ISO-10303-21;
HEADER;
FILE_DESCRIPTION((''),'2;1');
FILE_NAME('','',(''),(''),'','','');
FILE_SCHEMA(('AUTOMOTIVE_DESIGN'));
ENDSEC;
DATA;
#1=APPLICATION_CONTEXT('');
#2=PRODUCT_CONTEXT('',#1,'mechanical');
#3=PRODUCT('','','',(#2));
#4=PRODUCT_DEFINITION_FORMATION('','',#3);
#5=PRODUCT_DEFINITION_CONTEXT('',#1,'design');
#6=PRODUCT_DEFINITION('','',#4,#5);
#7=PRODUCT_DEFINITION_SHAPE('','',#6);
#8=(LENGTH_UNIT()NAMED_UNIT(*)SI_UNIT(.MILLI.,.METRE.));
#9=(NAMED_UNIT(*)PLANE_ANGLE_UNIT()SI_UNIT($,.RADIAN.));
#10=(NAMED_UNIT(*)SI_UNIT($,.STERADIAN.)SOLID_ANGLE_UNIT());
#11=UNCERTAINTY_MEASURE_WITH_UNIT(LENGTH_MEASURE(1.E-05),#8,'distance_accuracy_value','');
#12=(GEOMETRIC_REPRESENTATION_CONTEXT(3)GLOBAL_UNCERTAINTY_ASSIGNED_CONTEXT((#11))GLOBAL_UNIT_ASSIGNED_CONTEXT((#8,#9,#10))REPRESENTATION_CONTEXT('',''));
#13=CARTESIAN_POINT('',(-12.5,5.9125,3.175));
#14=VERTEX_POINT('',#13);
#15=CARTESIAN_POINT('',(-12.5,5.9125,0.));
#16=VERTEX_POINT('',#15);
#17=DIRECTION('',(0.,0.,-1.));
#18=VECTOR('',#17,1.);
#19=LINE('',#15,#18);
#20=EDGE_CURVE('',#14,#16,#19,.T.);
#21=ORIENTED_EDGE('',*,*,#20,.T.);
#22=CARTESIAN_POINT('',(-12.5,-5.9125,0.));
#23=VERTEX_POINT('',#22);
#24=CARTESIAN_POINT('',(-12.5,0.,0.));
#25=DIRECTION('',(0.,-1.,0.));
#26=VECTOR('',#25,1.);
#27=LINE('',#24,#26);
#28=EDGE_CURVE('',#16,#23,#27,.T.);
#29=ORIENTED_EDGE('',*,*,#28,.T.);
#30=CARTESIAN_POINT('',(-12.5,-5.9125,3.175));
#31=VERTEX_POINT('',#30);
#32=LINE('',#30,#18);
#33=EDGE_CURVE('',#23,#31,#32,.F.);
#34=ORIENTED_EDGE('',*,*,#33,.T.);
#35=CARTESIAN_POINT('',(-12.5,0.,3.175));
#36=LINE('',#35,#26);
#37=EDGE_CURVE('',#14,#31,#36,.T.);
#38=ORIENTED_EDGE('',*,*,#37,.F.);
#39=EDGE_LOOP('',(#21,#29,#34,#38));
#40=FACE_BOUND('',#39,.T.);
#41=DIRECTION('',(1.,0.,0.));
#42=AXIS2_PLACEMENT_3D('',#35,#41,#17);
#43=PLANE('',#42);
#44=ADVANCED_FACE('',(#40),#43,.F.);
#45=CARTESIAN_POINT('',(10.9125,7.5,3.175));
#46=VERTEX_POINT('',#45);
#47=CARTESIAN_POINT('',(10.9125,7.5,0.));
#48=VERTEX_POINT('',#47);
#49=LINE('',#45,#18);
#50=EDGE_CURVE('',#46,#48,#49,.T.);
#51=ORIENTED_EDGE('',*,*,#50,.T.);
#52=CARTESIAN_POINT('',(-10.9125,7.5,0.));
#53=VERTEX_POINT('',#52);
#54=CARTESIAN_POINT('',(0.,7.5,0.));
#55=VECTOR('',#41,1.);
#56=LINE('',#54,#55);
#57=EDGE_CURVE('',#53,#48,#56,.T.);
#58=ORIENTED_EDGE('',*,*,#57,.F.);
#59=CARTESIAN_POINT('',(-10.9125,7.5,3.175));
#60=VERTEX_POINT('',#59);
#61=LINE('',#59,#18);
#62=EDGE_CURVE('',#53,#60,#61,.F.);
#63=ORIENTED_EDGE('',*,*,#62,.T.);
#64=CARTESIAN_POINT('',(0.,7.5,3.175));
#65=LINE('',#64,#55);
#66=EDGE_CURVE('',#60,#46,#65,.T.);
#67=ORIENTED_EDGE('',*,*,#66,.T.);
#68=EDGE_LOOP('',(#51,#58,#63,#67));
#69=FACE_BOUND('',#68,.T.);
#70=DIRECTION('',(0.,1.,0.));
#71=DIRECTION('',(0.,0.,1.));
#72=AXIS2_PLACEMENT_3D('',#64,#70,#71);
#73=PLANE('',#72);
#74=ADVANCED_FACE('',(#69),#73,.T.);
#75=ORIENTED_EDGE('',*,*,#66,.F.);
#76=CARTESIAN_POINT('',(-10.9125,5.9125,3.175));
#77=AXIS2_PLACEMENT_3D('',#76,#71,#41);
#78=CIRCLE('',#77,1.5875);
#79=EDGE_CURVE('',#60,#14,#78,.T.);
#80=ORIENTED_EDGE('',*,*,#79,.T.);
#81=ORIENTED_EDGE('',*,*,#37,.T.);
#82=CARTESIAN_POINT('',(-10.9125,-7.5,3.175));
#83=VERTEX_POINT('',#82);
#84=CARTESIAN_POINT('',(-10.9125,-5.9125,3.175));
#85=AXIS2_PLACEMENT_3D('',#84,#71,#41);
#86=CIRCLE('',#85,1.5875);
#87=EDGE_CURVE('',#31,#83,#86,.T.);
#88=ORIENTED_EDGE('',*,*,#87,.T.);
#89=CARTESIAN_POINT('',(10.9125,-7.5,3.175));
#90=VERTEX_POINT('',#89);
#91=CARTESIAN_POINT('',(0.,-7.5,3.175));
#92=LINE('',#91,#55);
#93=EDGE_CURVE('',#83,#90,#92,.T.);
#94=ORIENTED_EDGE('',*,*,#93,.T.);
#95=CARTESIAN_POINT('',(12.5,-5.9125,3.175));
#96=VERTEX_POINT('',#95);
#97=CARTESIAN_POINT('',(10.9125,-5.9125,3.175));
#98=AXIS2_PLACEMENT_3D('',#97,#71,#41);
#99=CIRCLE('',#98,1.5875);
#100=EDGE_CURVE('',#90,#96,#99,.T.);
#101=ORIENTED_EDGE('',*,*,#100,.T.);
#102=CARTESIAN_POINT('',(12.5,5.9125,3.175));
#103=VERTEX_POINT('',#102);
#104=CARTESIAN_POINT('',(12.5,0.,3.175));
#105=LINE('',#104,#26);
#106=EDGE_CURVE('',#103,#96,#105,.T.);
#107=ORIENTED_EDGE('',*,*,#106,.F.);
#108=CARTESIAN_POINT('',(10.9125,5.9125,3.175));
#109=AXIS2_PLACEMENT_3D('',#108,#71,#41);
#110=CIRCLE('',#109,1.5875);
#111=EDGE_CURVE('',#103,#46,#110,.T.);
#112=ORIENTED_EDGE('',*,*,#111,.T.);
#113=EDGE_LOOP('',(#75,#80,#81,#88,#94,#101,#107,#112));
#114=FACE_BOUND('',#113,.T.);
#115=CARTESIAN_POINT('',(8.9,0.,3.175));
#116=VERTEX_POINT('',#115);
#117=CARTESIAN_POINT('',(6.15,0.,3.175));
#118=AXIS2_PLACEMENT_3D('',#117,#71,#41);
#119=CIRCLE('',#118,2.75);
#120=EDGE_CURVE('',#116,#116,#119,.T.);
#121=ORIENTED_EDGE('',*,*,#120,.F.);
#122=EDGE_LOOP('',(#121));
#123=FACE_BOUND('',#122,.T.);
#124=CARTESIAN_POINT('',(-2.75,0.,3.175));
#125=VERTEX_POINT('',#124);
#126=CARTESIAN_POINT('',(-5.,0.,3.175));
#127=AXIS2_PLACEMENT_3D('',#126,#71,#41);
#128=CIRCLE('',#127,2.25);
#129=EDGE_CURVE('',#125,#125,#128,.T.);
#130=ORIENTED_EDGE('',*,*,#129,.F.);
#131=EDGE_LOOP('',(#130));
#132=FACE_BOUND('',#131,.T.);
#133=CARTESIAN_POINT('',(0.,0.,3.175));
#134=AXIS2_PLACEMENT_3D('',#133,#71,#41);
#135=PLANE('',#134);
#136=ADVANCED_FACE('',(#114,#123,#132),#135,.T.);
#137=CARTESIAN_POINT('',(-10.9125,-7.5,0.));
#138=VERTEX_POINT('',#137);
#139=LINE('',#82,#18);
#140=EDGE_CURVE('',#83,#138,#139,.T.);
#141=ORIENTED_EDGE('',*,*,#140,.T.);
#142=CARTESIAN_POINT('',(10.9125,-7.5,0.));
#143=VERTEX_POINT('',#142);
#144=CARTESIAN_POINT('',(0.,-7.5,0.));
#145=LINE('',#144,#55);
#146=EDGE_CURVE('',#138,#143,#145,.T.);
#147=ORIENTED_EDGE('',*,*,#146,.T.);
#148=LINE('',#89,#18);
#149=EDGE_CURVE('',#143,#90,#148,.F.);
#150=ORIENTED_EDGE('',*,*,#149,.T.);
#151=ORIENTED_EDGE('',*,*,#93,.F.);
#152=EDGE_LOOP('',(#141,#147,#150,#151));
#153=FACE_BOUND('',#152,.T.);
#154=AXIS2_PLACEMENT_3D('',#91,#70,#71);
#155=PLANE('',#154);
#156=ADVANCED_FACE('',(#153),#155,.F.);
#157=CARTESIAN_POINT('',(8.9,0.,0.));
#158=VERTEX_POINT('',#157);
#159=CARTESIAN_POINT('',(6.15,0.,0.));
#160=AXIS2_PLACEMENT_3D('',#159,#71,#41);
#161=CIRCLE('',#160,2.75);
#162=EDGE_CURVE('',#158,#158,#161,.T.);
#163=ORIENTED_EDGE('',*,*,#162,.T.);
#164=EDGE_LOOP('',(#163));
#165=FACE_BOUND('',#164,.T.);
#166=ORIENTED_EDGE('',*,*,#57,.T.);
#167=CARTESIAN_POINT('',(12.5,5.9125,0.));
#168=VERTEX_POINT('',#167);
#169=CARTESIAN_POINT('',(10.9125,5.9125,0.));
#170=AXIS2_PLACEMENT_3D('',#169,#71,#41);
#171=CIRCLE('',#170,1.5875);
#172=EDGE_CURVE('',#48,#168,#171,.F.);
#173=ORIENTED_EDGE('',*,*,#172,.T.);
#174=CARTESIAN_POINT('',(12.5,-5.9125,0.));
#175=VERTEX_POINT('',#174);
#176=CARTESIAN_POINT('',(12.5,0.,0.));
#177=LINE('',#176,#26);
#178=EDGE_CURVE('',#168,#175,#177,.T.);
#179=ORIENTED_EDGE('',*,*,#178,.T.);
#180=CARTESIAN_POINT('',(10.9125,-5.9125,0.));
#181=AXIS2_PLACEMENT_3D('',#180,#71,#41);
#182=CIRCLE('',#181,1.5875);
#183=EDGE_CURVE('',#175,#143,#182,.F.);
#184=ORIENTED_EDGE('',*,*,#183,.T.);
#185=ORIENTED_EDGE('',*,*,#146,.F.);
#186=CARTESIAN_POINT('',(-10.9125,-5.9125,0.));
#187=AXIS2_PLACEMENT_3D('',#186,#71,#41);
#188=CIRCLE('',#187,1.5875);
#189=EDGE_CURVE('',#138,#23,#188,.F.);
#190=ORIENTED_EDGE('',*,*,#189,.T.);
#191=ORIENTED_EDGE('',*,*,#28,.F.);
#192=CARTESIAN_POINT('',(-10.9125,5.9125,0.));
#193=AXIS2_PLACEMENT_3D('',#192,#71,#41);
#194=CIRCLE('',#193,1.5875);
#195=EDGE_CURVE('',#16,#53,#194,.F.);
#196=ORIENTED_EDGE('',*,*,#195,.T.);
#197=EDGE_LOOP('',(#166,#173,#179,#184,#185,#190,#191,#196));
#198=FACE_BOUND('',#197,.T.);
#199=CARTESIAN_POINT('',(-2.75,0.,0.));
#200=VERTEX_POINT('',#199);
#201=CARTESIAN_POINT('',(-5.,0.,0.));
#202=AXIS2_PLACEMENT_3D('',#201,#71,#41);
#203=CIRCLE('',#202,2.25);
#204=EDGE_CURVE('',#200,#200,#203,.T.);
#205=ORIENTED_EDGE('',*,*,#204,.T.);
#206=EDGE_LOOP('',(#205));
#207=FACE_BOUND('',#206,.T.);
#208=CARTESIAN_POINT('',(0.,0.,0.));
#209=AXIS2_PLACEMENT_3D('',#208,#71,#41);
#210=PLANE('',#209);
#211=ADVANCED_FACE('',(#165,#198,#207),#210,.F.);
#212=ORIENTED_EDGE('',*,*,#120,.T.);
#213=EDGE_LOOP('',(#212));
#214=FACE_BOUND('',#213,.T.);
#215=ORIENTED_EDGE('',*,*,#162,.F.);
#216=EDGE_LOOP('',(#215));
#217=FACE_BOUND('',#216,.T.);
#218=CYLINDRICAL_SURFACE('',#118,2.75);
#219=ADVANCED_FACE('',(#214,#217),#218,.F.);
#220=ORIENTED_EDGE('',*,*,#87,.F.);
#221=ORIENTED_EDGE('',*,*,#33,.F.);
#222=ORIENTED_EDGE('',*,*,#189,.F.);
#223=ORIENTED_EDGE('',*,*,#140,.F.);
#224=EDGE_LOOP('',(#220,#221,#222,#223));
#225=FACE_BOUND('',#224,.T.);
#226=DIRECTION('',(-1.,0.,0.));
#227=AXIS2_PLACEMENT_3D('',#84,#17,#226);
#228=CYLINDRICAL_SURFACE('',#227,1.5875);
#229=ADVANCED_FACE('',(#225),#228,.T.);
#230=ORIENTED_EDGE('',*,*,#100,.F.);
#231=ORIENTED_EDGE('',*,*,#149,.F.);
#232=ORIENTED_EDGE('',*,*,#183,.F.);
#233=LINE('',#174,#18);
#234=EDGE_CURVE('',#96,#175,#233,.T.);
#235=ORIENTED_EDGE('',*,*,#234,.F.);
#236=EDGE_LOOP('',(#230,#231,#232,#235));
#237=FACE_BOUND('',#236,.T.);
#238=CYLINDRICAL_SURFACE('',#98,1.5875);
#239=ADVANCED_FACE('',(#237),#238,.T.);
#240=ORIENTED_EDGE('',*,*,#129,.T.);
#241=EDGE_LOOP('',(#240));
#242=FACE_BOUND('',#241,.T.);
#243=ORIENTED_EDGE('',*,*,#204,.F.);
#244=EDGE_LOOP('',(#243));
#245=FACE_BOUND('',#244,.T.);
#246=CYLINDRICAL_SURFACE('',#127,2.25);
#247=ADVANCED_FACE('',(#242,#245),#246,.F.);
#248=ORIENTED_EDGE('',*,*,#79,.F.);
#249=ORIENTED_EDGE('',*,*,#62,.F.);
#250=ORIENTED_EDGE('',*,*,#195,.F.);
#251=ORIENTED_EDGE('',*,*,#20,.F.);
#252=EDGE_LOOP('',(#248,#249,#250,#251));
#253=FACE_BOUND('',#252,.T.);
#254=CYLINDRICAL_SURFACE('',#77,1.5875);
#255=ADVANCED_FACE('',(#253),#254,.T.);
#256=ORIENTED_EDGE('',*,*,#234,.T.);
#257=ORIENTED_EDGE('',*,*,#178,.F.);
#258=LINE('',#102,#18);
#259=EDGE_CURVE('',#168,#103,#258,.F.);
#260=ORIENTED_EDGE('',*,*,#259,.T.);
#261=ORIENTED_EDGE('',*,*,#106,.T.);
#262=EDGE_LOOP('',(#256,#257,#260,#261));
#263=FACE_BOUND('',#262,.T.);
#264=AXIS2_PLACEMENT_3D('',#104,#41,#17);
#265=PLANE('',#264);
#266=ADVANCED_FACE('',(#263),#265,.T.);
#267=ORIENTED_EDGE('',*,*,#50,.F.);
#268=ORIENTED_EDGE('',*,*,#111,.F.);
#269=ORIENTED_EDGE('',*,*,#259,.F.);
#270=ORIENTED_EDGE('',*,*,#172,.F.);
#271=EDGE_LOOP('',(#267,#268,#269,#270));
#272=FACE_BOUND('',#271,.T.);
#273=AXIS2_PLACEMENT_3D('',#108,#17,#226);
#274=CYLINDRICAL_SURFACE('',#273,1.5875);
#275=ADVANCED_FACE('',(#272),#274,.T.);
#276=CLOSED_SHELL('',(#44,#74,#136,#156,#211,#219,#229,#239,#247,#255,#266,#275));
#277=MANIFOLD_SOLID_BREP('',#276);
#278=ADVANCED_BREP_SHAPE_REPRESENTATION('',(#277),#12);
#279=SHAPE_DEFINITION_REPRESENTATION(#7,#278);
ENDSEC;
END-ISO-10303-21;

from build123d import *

# Parameters (mm, degrees)
SKETCH1_W            = 25
SKETCH1_H            = 15
SKETCH1_R            = 2.5
BOSS_EXTRUDE1_DEPTH  = 3.175
M5_CLEARANCE_HOLE1_D = 5.5
FILLET1_R            = 1.5875
M4_CLEARANCE_HOLE2_D = 4.5


with BuildPart() as part:
    # Sketch1 → Boss-Extrude1 (new body)
    # profile 1 of 2: a face of its own
    with BuildSketch(Plane.XY):
        Rectangle(SKETCH1_W, SKETCH1_H)
        with Locations((6.15, 0)):
            Circle(SKETCH1_R, mode=Mode.SUBTRACT)
    # profile 2 of 2: a face of its own
    with BuildSketch(Plane.XY):
        with Locations((6.15, 0)):
            Circle(SKETCH1_R)
    extrude(amount=BOSS_EXTRUDE1_DEPTH)

    # M5 Clearance Hole1 (through all)
    with Locations(Plane.XY.offset(3.175)):
        with Locations((6.15, 0)):
            Hole(M5_CLEARANCE_HOLE1_D / 2)

    # Fillet1
    fillet1_edges = [part.edges().sort_by_distance(p)[0] for p in [
        (12.5, -7.5, 1.5875),
        (-12.5, -7.5, 1.5875),
        (-12.5, 7.5, 1.5875),
        (12.5, 7.5, 1.5875),
    ]]
    fillet(fillet1_edges, radius=FILLET1_R)

    # M4 Clearance Hole2 (through all)
    with Locations(Plane.XY.offset(3.175)):
        with Locations((-5, 0)):
            Hole(M4_CLEARANCE_HOLE2_D / 2)


solid = part.part
